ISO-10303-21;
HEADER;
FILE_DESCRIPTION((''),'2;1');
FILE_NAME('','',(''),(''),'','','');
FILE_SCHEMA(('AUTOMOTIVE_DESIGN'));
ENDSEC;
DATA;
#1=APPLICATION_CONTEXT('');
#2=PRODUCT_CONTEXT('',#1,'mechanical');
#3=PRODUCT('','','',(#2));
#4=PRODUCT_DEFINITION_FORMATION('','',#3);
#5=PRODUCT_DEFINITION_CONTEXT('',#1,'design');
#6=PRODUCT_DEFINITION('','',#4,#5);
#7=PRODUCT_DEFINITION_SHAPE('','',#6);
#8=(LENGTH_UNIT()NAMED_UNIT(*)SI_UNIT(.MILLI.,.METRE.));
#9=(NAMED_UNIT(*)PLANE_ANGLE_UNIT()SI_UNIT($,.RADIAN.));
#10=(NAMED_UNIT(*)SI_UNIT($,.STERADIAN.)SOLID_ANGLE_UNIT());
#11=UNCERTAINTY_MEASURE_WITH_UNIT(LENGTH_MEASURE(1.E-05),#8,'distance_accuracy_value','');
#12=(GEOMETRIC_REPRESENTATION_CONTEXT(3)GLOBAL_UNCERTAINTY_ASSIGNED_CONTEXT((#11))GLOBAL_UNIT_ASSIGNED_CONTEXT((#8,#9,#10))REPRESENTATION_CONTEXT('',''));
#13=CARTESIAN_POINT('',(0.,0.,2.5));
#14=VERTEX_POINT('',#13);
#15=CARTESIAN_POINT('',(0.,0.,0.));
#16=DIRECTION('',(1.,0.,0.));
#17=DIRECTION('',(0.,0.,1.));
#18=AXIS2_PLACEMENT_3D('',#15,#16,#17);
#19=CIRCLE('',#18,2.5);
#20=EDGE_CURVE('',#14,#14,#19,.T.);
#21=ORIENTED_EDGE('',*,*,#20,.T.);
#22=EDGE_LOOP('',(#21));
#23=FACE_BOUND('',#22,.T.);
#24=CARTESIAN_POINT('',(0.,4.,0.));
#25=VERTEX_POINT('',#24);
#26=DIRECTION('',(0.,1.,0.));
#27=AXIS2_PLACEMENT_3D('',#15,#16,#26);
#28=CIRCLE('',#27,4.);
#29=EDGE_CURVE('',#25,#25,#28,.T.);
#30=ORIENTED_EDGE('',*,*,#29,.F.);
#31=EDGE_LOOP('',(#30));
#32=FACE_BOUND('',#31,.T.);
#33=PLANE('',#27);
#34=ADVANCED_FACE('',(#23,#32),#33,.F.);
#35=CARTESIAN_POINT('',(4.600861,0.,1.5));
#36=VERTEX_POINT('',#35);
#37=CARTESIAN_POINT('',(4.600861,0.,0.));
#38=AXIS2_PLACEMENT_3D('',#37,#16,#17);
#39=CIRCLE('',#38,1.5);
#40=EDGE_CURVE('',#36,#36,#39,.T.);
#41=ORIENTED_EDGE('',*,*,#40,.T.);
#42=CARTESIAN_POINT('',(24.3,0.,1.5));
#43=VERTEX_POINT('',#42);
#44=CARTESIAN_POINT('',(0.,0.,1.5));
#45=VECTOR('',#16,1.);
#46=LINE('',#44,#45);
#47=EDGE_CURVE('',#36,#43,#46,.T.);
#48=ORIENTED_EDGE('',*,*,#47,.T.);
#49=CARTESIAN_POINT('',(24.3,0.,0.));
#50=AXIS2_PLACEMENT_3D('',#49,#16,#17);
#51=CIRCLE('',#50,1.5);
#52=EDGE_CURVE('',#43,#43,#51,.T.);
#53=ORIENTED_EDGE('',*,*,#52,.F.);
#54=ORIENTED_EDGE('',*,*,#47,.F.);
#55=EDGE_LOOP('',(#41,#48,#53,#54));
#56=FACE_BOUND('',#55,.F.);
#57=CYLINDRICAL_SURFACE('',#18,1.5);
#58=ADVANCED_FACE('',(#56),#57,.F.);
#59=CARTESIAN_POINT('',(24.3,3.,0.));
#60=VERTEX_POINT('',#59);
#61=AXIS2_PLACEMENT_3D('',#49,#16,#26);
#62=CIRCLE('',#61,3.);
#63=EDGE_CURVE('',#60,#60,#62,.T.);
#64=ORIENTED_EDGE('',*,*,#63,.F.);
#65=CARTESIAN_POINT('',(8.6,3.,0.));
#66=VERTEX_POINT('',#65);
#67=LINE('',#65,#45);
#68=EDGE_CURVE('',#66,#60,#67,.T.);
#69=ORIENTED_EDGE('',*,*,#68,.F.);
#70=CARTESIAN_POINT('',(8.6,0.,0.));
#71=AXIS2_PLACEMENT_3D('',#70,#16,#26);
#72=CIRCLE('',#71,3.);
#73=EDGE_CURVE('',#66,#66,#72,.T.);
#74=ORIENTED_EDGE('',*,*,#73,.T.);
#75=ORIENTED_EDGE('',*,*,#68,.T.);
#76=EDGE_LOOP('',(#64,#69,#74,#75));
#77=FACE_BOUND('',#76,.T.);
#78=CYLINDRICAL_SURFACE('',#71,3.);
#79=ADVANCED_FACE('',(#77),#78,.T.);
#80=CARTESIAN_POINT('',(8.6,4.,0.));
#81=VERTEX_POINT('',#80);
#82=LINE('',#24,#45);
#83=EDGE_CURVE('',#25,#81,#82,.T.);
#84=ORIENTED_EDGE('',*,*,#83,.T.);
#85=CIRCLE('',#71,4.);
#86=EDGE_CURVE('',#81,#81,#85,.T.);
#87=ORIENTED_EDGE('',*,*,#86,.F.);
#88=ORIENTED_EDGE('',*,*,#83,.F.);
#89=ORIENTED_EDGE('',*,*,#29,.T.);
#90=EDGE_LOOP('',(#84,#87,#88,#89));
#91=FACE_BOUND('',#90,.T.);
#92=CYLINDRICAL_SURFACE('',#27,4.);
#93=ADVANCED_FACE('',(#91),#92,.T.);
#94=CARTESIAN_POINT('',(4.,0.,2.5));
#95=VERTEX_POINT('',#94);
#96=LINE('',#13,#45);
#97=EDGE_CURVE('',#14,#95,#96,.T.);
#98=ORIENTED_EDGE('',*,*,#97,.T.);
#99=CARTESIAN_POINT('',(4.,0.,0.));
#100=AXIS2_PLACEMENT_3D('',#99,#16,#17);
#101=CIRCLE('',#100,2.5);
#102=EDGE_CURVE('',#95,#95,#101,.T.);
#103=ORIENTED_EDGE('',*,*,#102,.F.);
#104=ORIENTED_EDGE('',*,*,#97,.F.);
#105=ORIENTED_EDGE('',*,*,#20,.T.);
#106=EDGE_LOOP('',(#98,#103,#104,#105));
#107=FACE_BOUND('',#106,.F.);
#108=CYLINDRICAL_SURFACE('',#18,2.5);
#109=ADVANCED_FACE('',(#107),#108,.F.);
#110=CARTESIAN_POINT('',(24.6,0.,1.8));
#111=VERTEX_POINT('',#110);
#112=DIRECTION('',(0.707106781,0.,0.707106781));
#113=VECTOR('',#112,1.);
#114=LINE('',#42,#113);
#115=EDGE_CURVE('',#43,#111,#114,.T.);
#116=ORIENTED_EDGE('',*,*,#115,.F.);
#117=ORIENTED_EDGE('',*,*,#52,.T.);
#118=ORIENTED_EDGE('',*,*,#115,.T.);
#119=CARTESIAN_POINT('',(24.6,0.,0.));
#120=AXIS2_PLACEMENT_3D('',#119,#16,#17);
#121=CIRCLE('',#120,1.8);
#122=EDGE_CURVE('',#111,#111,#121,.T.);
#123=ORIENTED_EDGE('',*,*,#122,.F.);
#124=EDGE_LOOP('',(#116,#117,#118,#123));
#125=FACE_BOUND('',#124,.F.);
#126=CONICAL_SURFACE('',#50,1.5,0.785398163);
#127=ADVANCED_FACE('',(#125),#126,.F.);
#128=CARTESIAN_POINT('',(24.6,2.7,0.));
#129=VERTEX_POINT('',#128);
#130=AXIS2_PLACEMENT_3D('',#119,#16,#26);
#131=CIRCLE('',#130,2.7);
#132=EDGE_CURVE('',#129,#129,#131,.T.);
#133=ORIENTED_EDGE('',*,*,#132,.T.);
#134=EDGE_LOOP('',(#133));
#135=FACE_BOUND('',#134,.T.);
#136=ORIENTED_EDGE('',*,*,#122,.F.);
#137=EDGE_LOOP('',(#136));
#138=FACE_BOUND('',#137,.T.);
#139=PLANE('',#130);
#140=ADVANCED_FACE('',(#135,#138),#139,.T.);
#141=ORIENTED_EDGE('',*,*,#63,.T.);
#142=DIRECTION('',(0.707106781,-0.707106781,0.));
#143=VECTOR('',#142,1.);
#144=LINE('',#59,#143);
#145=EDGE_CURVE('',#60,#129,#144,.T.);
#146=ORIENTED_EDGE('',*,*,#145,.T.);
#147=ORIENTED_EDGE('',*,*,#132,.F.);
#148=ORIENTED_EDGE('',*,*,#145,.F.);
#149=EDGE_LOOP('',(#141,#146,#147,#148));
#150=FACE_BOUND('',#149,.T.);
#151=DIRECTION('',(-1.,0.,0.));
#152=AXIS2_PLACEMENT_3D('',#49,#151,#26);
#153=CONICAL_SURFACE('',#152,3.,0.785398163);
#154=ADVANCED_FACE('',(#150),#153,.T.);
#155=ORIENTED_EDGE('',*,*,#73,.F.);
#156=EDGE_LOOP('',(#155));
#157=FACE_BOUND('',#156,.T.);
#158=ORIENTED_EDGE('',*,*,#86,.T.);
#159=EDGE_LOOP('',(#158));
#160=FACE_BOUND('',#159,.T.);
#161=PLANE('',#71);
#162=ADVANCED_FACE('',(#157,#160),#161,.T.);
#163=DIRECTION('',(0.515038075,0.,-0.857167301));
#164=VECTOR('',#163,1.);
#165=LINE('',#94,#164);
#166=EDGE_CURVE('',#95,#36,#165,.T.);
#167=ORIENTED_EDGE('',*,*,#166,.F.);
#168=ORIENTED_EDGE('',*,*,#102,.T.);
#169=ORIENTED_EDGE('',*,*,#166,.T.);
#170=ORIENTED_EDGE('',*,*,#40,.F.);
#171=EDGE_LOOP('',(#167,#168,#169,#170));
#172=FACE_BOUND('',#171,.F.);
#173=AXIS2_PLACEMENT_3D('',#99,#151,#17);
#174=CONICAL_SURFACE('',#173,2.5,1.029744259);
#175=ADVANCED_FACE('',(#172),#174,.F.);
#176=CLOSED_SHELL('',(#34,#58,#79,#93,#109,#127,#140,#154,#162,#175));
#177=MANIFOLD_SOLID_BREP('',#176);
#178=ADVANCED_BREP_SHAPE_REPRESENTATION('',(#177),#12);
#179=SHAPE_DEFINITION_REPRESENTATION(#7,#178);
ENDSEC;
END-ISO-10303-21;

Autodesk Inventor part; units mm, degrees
ref_plane "YZ Plane" through (0, 0, 0) normal (1, 0, 0) x (0, 1, 0)
ref_plane "XZ Plane" through (0, 0, 0) normal (0, 1, 0) x (-1, 0, 0)
ref_plane "XY Plane" through (0, 0, 0) normal (0, 0, 1) x (1, 0, 0)
sketch "Skizze1" plane through (0, 0, 0) normal (0, 0, 1) x (1, 0, 0)
  line L0 (0, 0) -> (24.6, 0)
  line L1 (0, 0) -> (0, 4)
  line L2 (0, 4) -> (8.6, 4)
  line L3 (8.6, 4) -> (8.6, 3)
  line L4 (8.6, 3) -> (24.6, 3)
  line L5 (24.6, 3) -> (24.6, 0)
  dimension "d0" = 8
  dimension "d1" = 6
  dimension "d2" = 8.6
  dimension "d3" = 16
revolve "Umdrehung1" add sketch "Skizze1" angle 360 about axis through (0, 0, 0) along (1, 0, 0)
sketch "Skizze2" plane through (0, 0, 0) normal (-1, 0, 0) x (0, 0, 1)
  point P0 (0, 0)
hole "Bohrung1" at (0, 0, 0) direction (1, 0, 0) diameter 3 end through all
hole "Bohrung2" at (0, 0, 0) direction (1, 0, 0) diameter 5 depth 4 tip angle 118
thread "Gewinde1" size "M6x1" class "6g" standard "ANSI Metric M Profile" length 8
chamfer "Fase1" distance 0.3 angle 45 2 edges at (24.6, -3, 0) (24.6, 0, -1.5)
properties part number "SlipRingExtender" material "Messing, weicher Gelbton"
